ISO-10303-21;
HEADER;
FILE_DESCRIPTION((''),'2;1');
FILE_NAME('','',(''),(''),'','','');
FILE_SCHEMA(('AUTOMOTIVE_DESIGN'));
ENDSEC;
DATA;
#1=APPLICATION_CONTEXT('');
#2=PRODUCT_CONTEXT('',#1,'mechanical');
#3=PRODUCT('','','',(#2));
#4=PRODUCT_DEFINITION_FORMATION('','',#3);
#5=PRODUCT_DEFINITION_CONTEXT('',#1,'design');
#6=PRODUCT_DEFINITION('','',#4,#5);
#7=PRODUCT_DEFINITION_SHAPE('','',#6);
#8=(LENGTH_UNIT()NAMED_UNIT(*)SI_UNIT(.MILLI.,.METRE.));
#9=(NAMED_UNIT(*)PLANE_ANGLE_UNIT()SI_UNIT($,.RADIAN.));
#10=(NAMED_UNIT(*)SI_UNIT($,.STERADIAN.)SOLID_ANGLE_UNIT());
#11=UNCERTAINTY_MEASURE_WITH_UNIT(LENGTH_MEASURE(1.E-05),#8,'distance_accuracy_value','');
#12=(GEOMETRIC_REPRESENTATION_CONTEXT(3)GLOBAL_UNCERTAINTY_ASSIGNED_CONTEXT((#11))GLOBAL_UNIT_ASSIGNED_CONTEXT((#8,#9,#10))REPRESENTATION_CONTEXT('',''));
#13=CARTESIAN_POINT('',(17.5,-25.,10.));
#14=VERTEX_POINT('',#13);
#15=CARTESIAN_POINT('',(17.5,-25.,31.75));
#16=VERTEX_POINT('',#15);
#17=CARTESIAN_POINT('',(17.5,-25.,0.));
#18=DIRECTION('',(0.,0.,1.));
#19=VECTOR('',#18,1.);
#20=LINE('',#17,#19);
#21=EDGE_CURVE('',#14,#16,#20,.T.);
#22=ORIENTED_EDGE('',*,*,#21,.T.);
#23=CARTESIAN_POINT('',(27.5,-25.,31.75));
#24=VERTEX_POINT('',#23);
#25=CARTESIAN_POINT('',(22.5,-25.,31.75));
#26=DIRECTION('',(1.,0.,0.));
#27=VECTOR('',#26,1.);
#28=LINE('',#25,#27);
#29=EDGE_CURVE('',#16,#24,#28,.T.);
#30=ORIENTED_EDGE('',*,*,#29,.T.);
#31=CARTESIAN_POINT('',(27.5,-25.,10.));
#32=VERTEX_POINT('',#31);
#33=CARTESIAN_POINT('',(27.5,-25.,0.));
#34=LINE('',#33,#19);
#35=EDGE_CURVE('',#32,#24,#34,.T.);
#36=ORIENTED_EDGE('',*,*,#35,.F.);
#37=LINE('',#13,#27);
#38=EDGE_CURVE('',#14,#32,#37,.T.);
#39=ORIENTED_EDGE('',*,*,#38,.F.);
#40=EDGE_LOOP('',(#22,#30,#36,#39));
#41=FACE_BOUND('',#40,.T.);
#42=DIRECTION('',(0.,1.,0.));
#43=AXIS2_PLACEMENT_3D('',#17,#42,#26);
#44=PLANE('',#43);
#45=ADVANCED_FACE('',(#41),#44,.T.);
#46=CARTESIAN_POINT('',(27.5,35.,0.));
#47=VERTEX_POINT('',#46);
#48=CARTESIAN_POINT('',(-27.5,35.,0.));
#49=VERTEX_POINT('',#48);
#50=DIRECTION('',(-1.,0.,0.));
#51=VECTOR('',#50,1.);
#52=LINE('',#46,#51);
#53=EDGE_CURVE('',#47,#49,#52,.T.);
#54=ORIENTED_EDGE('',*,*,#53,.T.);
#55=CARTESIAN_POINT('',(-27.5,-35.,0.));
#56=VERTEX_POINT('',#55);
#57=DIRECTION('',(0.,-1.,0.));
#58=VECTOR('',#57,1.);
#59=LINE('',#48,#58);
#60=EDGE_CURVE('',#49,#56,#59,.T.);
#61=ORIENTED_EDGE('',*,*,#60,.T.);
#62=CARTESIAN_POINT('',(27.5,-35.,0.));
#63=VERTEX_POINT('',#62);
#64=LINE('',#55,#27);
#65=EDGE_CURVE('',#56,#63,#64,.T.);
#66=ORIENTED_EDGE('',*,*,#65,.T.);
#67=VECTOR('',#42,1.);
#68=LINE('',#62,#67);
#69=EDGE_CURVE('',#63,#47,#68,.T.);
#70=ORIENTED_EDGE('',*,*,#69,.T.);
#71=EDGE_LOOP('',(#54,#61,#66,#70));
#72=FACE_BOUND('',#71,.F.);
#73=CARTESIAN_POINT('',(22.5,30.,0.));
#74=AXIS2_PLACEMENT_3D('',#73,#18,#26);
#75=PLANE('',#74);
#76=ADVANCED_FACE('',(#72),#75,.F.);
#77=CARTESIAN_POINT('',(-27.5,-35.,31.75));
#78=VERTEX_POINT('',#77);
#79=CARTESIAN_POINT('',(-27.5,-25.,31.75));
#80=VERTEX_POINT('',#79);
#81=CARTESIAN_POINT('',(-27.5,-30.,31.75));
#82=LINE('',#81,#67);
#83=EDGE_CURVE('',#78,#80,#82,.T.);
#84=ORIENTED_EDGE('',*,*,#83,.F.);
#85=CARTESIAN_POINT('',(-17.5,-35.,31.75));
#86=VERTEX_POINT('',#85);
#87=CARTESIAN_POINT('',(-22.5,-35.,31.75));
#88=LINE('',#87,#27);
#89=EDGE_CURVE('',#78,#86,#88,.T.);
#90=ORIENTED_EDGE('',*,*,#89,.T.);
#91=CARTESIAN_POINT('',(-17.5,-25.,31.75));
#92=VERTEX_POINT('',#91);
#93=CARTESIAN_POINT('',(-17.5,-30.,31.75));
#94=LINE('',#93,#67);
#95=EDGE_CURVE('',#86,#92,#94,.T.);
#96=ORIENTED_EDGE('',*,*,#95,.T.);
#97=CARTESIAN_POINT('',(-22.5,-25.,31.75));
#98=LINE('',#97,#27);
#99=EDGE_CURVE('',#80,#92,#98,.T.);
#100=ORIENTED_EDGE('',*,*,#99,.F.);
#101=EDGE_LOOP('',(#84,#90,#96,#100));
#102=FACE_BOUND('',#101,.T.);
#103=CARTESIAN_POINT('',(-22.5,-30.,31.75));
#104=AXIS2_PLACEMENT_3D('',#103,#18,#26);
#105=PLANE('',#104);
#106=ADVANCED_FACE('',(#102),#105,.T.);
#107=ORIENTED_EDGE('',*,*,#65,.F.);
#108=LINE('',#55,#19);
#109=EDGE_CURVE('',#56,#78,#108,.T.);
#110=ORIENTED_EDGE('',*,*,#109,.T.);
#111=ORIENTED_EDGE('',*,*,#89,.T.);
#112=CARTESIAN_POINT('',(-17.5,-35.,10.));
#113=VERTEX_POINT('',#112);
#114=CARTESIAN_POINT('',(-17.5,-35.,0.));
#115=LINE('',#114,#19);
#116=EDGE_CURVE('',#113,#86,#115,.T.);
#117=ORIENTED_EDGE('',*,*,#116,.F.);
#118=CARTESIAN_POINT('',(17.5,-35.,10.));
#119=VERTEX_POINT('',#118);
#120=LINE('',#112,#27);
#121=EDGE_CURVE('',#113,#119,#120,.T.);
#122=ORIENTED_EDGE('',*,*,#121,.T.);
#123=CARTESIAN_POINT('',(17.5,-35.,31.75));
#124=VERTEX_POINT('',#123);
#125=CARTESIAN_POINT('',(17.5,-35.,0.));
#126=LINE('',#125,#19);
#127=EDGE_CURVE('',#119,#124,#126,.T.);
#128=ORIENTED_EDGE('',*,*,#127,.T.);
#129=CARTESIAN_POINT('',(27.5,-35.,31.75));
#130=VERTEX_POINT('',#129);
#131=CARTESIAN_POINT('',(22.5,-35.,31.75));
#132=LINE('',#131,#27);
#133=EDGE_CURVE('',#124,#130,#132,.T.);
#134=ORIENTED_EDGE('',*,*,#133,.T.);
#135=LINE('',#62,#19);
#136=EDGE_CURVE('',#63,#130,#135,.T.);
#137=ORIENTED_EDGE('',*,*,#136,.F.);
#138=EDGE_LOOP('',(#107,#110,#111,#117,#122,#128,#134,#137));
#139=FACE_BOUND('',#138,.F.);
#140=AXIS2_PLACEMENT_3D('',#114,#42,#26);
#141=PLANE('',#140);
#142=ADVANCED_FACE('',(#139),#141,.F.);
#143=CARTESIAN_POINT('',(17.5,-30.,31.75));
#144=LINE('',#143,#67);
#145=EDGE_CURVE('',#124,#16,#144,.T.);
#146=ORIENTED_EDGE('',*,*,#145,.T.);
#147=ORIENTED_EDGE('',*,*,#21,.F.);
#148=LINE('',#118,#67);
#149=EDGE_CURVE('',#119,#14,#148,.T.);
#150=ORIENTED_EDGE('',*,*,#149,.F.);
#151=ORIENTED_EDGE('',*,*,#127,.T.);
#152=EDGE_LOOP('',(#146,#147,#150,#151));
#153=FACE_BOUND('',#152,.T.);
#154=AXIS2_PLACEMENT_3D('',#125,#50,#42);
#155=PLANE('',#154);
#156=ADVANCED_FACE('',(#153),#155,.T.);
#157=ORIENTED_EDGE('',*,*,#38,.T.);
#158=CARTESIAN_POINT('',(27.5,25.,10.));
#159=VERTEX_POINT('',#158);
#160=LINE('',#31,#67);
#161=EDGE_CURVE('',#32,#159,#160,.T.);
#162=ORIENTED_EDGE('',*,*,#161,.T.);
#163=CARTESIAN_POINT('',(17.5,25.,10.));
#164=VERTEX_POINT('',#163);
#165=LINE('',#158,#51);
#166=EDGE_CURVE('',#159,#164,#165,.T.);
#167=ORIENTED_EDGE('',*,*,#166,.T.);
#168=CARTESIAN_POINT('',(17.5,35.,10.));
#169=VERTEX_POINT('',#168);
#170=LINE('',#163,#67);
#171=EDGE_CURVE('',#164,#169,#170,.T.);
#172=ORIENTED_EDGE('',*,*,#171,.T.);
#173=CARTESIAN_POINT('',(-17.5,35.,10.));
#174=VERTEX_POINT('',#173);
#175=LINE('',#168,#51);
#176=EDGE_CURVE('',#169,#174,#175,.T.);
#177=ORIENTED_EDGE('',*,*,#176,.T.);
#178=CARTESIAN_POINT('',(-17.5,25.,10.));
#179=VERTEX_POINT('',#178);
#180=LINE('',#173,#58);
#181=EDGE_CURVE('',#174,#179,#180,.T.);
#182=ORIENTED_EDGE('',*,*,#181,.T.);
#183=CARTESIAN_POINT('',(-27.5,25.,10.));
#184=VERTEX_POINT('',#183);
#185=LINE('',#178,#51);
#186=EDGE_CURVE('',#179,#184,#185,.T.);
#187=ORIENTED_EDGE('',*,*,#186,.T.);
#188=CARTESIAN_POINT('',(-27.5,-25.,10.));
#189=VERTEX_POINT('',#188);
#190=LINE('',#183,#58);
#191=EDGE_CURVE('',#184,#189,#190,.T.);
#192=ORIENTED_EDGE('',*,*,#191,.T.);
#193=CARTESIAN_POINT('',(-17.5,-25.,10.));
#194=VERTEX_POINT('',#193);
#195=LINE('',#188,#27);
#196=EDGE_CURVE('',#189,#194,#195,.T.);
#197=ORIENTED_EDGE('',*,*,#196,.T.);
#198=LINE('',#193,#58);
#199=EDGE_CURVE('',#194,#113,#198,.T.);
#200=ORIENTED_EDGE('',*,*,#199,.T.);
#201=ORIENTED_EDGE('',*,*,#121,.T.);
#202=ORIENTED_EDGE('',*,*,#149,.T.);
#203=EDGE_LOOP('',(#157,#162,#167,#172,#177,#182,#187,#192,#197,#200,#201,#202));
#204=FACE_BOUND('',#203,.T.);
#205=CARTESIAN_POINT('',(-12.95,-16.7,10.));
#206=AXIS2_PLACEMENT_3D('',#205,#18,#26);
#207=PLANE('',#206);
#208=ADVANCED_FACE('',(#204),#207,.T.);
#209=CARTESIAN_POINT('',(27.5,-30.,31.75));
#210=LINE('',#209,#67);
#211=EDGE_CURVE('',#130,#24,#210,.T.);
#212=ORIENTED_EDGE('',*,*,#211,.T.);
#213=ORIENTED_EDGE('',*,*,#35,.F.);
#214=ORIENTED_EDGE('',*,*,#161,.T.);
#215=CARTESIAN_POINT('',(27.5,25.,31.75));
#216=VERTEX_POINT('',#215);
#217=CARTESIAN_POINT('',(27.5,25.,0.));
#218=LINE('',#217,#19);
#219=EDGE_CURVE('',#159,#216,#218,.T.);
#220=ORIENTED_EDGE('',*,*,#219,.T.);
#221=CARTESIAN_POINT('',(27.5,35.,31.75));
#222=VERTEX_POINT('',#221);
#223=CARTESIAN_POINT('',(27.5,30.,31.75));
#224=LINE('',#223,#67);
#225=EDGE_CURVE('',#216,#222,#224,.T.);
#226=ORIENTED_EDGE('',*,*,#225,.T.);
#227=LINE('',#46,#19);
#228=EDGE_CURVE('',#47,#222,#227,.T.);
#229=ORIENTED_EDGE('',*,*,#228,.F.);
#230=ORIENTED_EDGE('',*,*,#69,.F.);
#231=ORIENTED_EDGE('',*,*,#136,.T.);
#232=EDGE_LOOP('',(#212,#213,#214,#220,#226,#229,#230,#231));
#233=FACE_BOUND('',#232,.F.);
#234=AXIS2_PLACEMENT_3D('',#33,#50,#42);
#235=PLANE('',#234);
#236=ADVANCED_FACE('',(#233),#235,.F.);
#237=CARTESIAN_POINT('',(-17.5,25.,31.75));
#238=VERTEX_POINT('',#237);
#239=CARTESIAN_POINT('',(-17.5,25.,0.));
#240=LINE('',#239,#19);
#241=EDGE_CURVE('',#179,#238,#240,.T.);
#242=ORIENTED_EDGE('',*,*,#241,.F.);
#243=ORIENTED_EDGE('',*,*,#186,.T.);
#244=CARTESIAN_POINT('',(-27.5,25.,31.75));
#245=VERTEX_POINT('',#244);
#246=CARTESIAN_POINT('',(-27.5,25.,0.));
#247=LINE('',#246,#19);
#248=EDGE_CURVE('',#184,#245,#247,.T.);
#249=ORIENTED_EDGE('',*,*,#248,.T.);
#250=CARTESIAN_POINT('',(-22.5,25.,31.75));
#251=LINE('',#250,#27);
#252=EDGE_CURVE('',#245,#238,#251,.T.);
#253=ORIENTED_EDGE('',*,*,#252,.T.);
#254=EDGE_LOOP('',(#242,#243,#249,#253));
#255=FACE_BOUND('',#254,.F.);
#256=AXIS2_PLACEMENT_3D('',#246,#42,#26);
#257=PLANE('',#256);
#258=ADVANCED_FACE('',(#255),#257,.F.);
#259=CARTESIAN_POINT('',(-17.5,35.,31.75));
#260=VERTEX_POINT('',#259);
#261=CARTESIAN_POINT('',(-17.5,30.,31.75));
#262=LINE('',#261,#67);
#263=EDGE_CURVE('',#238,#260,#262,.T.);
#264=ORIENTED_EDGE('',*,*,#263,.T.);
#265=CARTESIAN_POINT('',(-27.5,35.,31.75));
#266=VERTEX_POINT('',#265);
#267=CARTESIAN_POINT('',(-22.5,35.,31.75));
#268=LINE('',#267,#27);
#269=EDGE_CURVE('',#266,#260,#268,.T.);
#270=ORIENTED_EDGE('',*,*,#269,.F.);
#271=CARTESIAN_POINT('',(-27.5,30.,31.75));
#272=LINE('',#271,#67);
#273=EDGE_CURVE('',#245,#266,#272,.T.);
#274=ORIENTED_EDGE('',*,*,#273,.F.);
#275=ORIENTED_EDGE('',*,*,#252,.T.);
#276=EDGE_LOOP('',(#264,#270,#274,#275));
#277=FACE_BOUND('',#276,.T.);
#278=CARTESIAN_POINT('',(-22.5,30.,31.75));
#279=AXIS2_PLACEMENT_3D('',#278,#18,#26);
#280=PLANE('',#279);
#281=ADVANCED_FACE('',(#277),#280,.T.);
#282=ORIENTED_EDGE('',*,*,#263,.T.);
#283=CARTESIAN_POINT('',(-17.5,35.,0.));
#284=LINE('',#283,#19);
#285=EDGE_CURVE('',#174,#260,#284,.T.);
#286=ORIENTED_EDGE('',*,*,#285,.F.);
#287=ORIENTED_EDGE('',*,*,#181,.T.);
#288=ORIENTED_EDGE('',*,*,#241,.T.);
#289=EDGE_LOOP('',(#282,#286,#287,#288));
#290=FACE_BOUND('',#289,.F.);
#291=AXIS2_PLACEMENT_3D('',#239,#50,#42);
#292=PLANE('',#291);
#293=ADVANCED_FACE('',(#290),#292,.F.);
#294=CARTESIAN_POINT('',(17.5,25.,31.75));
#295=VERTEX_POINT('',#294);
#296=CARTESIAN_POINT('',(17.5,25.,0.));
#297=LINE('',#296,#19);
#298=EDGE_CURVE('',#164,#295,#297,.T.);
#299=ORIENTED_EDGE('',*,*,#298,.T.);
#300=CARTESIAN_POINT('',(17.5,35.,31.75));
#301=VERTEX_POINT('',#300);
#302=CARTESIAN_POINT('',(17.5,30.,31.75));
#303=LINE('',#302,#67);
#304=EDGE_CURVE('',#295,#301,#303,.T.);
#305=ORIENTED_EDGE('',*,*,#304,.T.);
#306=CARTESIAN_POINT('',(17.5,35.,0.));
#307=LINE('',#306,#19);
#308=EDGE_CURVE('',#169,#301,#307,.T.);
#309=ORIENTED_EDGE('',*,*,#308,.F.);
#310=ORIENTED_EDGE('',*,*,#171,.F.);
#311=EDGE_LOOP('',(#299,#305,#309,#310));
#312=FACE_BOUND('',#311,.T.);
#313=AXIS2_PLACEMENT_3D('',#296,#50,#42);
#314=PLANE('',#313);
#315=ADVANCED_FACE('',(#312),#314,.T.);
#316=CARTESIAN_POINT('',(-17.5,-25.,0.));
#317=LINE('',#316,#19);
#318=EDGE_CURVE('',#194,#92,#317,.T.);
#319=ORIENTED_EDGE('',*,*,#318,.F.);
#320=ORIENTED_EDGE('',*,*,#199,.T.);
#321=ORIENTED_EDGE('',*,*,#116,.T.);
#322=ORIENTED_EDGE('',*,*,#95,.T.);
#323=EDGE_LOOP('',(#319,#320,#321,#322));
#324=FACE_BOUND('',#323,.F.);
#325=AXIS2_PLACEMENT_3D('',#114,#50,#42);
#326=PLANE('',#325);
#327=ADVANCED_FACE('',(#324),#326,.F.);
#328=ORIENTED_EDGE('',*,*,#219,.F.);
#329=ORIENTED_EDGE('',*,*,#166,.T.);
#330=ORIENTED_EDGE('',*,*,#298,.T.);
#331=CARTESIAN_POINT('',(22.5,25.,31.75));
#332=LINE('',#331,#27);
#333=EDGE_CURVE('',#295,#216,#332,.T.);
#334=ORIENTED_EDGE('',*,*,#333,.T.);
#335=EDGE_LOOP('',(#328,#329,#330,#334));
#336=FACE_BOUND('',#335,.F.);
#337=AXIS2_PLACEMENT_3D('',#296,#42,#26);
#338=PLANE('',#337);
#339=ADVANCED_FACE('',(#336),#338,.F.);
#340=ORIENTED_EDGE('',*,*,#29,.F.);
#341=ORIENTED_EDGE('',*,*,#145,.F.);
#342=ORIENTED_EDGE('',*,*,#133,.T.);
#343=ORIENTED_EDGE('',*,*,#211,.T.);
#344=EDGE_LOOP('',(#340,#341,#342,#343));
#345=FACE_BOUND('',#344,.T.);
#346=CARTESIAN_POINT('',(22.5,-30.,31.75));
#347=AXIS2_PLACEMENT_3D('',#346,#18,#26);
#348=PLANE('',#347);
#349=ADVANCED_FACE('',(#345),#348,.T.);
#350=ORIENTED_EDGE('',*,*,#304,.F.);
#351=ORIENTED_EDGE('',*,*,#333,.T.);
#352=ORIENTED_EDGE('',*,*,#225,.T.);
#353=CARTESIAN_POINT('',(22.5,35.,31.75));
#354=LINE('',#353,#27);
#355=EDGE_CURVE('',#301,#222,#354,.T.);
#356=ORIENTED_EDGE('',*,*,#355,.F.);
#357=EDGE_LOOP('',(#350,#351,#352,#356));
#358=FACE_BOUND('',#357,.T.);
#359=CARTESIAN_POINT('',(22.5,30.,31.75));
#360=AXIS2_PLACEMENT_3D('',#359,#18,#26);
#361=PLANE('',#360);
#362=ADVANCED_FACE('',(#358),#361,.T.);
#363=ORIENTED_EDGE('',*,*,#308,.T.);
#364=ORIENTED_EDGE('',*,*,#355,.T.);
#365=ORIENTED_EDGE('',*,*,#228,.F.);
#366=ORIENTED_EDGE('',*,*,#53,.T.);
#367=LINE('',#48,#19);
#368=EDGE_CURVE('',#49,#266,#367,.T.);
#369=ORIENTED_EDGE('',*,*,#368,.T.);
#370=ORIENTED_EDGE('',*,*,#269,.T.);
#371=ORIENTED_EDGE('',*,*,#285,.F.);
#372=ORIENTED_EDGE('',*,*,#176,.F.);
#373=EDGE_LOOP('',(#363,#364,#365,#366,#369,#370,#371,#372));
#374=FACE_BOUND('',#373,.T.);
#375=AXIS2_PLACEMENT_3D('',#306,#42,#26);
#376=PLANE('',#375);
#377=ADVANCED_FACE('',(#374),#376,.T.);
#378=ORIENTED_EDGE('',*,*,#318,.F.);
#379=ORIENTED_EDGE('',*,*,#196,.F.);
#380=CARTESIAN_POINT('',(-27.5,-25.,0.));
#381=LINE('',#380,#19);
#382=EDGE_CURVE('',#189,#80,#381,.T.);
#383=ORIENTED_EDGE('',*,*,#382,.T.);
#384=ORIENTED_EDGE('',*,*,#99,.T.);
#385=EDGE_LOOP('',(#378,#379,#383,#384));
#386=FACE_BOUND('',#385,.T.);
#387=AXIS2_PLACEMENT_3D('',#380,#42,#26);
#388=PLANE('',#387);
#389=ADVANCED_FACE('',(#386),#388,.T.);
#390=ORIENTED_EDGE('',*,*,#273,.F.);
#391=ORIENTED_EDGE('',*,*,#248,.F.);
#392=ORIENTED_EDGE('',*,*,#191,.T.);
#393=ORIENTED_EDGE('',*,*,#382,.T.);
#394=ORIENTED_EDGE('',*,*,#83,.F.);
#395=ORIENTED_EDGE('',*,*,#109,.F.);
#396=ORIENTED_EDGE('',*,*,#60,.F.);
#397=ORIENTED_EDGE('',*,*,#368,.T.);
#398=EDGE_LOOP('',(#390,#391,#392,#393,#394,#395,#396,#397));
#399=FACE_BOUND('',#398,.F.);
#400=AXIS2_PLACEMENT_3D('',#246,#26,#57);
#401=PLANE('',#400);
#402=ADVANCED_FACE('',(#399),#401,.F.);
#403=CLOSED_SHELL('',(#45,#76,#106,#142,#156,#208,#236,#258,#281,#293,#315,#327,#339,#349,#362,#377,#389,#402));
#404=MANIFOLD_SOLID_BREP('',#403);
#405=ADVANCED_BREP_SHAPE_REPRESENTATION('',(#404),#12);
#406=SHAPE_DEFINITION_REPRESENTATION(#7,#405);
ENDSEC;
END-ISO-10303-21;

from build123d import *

# Parameters (mm, degrees)
F1_DEPTH = 10
F0_W     = 10
F0_H     = 10
F2_DEPTH = 31.75


with BuildPart() as f1:
    # F0 (on Top) → F1 (new body)
    with BuildSketch(Plane.XY):
        Polygon((-17.5, -35), (0, -35), (0, 0), (-27.5, 0), (-27.5, -25), (-17.5, -25), align=None)
        Polygon((-27.5, 0), (0, 0), (0, 35), (-17.5, 35), (-17.5, 25), (-27.5, 25), align=None)
        Polygon((0, 0), (27.5, 0), (27.5, 25), (17.5, 25), (17.5, 35), (0, 35), align=None)
        Polygon((0, -35), (17.5, -35), (17.5, -25), (27.5, -25), (27.5, 0), (0, 0), align=None)
    extrude(amount=F1_DEPTH)

    # F0 (on Top) → F2 (join)
    with BuildSketch(Plane.XY):
        with Locations((22.5, 30)):
            Rectangle(F0_W, F0_H)
        with Locations((-22.5, 30)):
            Rectangle(F0_W, F0_H)
        with Locations((-22.5, -30)):
            Rectangle(F0_W, F0_H)
        with Locations((22.5, -30)):
            Rectangle(F0_W, F0_H)
    extrude(amount=F2_DEPTH)


solid = f1.part
